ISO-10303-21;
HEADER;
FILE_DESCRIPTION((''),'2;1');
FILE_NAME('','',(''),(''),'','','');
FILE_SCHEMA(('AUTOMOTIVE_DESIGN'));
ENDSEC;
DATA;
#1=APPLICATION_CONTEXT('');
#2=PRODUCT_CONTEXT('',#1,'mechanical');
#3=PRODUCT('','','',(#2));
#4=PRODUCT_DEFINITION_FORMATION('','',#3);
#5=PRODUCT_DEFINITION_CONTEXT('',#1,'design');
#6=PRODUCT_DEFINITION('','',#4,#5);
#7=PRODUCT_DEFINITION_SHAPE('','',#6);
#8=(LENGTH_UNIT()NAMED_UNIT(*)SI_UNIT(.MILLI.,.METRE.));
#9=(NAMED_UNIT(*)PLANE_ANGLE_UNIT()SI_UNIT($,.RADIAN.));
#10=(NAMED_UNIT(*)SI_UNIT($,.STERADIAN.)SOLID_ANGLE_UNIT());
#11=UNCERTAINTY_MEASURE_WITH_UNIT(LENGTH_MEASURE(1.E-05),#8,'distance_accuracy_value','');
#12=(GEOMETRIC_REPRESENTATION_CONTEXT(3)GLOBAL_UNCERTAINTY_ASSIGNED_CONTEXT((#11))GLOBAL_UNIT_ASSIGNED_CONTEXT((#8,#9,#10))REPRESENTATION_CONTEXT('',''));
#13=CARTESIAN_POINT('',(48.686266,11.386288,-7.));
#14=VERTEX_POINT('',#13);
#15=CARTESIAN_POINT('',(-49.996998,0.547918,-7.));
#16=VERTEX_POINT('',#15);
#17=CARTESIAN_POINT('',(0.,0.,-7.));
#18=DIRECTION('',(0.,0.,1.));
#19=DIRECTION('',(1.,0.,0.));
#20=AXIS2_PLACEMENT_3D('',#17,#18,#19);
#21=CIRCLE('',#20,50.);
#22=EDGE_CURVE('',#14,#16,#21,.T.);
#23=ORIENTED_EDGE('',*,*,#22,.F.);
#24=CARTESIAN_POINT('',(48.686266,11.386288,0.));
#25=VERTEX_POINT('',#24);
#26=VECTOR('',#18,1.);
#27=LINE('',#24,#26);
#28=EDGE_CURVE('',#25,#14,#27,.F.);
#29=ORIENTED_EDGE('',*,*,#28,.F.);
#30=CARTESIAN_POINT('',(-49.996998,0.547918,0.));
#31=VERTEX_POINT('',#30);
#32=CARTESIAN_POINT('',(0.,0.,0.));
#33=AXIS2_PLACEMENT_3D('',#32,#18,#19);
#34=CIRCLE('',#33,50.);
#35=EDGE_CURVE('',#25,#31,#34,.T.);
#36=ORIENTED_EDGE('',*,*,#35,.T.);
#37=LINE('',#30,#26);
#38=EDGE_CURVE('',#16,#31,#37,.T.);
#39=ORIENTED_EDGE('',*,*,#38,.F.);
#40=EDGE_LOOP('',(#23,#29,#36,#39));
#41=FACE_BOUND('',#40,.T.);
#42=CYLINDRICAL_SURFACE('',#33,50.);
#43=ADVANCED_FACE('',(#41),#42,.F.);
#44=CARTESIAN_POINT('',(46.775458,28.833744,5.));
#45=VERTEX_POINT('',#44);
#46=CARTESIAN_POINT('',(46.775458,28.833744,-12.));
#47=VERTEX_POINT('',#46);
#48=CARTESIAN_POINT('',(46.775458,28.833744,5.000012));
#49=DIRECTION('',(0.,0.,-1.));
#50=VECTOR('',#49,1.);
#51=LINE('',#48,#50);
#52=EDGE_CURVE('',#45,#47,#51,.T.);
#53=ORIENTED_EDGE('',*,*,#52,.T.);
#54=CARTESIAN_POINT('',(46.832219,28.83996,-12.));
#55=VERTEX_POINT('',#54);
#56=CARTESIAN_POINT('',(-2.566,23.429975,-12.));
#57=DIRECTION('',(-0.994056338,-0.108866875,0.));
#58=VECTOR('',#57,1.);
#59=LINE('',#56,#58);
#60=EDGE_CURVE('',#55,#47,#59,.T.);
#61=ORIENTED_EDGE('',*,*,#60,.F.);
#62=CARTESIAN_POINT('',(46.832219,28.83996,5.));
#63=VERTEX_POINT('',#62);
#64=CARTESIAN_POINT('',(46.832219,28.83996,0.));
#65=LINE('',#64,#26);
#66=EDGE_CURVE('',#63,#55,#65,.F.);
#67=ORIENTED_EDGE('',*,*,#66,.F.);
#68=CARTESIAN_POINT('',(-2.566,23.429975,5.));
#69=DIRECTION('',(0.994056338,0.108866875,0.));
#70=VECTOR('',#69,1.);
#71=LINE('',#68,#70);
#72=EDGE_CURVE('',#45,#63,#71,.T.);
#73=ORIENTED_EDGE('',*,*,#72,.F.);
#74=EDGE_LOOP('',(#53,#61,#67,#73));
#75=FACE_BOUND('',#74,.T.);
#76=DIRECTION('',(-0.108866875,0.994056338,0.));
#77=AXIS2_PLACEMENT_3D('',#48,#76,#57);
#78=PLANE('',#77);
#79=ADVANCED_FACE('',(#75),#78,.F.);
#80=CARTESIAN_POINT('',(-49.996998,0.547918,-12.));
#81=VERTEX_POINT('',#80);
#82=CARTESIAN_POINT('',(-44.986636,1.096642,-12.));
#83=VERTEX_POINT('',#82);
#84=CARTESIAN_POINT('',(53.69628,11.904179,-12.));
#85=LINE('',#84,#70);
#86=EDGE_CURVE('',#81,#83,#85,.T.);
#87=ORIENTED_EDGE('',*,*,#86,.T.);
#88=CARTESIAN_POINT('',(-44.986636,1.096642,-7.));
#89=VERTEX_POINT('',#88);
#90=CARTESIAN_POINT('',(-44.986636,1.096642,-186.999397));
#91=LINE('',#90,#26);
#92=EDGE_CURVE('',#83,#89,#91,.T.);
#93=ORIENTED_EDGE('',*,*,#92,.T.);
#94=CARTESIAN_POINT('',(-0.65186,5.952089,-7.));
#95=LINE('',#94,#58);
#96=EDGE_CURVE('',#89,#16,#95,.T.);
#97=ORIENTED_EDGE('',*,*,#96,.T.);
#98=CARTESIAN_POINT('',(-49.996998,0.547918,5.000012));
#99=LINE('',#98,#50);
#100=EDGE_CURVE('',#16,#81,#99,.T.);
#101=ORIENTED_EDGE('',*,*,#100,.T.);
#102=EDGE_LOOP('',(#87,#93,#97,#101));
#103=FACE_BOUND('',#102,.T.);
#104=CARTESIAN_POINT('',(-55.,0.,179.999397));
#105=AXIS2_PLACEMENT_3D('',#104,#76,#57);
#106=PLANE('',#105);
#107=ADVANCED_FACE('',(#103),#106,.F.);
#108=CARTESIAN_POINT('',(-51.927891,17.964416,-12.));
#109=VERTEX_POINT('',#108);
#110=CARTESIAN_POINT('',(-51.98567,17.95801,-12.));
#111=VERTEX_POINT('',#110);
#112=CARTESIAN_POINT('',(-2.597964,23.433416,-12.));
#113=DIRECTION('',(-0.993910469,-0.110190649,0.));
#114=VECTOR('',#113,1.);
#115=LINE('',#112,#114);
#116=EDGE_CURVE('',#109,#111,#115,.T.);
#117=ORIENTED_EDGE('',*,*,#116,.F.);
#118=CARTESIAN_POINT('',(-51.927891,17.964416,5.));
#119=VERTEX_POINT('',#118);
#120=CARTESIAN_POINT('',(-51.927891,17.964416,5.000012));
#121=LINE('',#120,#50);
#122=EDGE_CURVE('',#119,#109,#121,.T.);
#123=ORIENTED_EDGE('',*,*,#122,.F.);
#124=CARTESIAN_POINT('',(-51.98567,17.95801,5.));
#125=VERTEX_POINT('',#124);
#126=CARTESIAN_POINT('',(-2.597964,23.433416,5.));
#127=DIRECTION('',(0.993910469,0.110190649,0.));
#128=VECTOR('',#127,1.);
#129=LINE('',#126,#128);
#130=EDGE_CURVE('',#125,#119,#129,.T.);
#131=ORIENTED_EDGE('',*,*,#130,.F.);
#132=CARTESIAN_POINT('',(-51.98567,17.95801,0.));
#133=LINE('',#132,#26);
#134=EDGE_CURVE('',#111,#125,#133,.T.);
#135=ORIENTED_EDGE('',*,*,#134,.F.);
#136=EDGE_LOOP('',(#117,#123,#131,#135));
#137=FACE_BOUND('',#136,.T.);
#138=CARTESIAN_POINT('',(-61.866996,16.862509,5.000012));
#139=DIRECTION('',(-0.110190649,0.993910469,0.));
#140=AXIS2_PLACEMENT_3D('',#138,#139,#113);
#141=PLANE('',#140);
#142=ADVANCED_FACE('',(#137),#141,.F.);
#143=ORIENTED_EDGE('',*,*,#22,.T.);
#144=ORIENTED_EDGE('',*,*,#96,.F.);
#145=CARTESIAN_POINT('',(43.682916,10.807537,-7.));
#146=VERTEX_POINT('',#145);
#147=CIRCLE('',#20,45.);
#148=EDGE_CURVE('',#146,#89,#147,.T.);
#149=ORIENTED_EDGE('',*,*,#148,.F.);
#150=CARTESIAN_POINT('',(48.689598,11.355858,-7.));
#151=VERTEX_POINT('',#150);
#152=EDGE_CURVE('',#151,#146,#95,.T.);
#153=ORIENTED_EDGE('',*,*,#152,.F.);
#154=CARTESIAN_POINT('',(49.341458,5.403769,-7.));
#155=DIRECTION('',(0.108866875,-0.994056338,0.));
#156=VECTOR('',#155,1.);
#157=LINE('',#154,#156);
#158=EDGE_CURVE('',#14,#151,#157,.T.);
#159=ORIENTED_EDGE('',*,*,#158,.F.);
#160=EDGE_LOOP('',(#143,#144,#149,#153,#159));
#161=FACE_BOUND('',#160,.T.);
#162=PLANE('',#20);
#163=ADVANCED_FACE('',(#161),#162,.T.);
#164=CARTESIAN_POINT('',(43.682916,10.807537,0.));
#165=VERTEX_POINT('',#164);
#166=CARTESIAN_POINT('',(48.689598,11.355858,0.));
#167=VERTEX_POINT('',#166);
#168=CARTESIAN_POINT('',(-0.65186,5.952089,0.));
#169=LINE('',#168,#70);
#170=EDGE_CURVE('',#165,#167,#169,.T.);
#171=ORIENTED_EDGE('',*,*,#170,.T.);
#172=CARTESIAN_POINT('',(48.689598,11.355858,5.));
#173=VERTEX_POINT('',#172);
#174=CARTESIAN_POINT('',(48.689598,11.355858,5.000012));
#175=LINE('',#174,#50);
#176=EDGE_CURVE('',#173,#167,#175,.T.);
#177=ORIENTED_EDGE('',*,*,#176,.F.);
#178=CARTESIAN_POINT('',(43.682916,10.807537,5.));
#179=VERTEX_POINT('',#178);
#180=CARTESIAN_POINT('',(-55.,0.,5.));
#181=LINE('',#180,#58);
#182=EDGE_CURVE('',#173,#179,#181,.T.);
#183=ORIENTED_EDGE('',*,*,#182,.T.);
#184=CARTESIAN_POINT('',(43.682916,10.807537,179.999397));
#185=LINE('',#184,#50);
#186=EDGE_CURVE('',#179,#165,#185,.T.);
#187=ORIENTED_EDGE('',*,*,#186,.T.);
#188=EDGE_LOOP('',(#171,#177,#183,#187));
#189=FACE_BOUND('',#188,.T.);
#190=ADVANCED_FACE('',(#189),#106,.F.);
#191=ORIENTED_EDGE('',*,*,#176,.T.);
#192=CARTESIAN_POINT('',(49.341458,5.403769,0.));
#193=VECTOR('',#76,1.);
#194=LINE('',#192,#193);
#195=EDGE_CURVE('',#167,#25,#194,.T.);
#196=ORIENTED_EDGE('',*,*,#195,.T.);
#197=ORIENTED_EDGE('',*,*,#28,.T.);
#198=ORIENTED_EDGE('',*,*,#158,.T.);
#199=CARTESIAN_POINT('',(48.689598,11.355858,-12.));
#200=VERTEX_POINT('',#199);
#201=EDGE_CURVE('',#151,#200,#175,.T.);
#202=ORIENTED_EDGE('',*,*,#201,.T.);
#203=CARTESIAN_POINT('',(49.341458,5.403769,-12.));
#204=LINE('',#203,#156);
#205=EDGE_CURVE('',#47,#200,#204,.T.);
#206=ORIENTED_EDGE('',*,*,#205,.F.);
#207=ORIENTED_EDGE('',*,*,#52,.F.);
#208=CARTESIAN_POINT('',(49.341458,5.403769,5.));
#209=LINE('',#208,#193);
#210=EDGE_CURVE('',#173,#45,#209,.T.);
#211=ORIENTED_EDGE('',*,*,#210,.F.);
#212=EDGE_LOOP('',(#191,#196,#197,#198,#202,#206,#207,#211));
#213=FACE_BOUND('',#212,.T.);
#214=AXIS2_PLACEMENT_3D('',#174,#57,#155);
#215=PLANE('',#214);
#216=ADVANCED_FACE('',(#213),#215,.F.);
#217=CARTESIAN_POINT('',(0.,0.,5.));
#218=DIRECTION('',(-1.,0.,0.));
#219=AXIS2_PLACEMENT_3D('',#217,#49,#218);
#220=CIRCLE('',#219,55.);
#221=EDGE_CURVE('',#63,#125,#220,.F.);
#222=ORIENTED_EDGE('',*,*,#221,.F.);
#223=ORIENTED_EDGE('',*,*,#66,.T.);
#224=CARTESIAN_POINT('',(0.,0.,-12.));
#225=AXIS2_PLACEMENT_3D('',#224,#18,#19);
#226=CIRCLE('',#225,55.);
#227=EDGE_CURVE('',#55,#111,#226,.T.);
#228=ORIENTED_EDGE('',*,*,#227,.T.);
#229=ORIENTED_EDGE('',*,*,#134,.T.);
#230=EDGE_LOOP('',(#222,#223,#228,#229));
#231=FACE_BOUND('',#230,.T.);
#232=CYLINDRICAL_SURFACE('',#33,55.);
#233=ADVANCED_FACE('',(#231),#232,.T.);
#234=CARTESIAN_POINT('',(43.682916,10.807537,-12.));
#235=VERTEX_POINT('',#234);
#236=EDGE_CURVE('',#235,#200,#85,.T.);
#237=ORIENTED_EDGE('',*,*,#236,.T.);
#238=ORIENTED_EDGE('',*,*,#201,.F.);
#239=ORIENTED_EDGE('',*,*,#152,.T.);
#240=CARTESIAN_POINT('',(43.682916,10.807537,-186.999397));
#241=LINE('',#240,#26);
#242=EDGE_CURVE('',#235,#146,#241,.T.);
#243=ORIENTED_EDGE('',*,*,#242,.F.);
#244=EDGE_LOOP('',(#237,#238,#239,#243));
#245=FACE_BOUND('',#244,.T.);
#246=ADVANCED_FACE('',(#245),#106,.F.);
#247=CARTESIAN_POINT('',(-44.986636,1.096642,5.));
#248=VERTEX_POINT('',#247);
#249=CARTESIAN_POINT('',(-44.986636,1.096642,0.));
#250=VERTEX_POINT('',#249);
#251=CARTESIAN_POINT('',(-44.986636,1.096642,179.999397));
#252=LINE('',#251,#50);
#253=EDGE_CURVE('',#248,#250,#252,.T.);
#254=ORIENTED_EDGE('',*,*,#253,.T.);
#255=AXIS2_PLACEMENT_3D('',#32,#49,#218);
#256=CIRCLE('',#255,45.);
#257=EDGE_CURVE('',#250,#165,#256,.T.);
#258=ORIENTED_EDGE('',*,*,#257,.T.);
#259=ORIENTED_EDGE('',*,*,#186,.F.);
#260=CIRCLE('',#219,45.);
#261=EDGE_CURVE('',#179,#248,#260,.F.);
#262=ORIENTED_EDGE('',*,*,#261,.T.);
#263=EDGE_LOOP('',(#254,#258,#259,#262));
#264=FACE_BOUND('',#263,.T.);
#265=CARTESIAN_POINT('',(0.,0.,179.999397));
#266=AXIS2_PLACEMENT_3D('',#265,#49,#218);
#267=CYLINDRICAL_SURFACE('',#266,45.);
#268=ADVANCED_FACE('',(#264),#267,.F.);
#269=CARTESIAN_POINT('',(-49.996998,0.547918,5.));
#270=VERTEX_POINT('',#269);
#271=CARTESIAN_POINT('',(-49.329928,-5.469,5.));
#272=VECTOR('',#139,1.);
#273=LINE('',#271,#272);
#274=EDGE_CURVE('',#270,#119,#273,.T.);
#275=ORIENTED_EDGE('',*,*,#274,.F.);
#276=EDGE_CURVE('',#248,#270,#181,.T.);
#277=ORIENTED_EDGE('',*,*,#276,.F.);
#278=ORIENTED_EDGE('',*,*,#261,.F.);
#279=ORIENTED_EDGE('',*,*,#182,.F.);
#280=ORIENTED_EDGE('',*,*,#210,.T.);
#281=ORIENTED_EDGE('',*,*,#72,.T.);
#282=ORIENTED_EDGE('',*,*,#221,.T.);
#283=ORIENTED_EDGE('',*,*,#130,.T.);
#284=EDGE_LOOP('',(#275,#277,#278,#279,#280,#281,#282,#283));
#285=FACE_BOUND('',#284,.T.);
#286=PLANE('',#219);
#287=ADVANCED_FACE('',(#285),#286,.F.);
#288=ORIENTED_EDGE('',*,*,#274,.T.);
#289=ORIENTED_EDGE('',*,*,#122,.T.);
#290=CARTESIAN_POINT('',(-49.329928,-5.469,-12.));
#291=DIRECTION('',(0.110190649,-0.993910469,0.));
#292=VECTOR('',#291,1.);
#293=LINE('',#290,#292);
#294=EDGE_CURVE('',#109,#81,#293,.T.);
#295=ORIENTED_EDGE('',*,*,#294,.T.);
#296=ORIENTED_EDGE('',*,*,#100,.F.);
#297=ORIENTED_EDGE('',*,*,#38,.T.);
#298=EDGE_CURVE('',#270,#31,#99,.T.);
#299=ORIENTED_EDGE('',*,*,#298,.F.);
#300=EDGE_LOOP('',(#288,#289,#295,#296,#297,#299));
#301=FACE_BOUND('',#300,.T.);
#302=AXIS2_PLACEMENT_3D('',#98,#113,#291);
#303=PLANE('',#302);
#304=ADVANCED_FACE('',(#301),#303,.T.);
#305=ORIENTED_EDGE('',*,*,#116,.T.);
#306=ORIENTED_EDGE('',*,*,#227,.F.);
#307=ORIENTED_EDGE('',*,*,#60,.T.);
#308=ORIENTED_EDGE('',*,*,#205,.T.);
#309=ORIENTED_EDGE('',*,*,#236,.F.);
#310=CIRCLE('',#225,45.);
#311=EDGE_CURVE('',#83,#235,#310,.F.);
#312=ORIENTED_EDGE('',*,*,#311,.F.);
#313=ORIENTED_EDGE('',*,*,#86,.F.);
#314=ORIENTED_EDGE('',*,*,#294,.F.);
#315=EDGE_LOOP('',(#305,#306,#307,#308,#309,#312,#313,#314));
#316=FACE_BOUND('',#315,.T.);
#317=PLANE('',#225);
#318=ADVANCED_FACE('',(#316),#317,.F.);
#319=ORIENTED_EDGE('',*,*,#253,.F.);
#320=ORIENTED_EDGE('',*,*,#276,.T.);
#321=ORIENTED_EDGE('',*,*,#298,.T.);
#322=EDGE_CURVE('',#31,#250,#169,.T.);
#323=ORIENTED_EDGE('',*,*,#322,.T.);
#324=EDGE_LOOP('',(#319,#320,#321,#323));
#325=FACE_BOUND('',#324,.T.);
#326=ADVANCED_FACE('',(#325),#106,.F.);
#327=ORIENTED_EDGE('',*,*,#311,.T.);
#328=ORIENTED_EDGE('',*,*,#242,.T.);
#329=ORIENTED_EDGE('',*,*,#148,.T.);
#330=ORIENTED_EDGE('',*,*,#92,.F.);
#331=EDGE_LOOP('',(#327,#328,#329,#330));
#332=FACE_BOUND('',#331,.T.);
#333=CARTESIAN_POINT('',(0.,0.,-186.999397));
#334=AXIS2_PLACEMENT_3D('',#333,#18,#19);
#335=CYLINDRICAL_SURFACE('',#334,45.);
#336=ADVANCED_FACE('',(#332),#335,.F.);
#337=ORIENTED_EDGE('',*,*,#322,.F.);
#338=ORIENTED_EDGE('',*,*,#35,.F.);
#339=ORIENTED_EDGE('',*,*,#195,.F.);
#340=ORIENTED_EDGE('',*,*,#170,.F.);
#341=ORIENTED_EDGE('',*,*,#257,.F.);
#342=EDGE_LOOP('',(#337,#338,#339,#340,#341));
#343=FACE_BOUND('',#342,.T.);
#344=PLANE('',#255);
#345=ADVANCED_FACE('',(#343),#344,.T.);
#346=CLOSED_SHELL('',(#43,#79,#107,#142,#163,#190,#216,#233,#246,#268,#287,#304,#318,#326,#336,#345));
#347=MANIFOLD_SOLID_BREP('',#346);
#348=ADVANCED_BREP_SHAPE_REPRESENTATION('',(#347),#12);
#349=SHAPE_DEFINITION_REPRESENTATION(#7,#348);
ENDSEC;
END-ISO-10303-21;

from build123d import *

# Parameters (mm, degrees)
SKETCH1_W                    = 50
SKETCH1_H                    = 7
REVOLVE1_ANGLE               = 167.5
SHELL7_T                     = 5
CUT_EXTRUDE1_DEPTH           = 80.617837197
CUT_EXTRUDE1_DEPTH_BACK      = 10
CUT_EXTRUDE2_DEPTH           = 80.617837197
CUT_EXTRUDE2_DEPTH_BACK      = 10
CUT_EXTRUDE3_DEPTH           = 80.617837197
CUT_EXTRUDE3_DEPTH_BACK      = 10
CUT_EXTRUDE4_DEPTH           = 80.617837197
CUT_EXTRUDE4_DEPTH_BACK      = 10
CUT_EXTRUDE_THIN2_DEPTH      = 80.617837197
CUT_EXTRUDE_THIN2_DEPTH_BACK = 20
CUT_EXTRUDE_THIN3_DEPTH      = 80.617837197
CUT_EXTRUDE_THIN3_DEPTH_BACK = 20


with BuildPart() as part:
    # Sketch1 → Revolve1 (revolve)
    with BuildSketch(Plane(origin=(0, 0, 0), x_dir=(1, 0, 0), z_dir=(0, 1, 0))):
        with Locations((-25, 3.5)):
            Rectangle(SKETCH1_W, SKETCH1_H)
    revolve(axis=Axis((0, 0, 0), (0, 0, -1)), revolution_arc=REVOLVE1_ANGLE)

    # Shell7
    shell7_openings = [part.faces().sort_by_distance(p)[0] for p in [
        (-25, 0, -3.5),
        (24.407400178, 5.410990348, -3.5),
    ]]
    offset(amount=SHELL7_T, openings=shell7_openings, kind=Kind.INTERSECTION)

    # Sketch2 → Cut-Extrude1 (cut, two sides: drawn at the far end of the back side and taken through both)
    with BuildSketch(Plane.XY.offset(5).offset(-CUT_EXTRUDE1_DEPTH_BACK)):
        Polygon((-307.130564413, -27.612787673), (-55, 0), (53.696280392, 11.904178767), (305.826844804, 39.51696644), (361.05242015, -464.744162386), (-251.904989067, -531.873916498), align=None)
    extrude(amount=CUT_EXTRUDE1_DEPTH + CUT_EXTRUDE1_DEPTH_BACK, mode=Mode.SUBTRACT)

    # Sketch4 → Cut-Extrude2 (cut, two sides: drawn at the far end of the back side and taken through both)
    with BuildSketch(Plane(origin=(0, 0, -12), x_dir=(-1, 0, 0), z_dir=(0, 0, -1)).offset(-CUT_EXTRUDE2_DEPTH_BACK)):
        Polygon((-305.826844804, 39.51696644), (-53.696280392, 11.904178767), (55, 0), (307.130564413, -27.612787673), (251.904989067, -531.873916498), (-361.05242015, -464.744162386), align=None)
    extrude(amount=CUT_EXTRUDE2_DEPTH + CUT_EXTRUDE2_DEPTH_BACK, mode=Mode.SUBTRACT)

    # Sketch5 → Cut-Extrude3 (cut, two sides: drawn at the far end of the back side and taken through both)
    with BuildSketch(Plane.XY.offset(5).offset(-CUT_EXTRUDE3_DEPTH_BACK)):
        with BuildLine():
            Line((-50.710864423, -233.723704503), (-44.986635536, 1.096641764))
            ThreePointArc((-44.986635536, 1.096641764), (-4.899009368, 44.73253522), (43.682915928, 10.807537003))
            Line((43.682915928, 10.807537003), (100.095882825, -217.207679557))
            Line((100.095882825, -217.207679557), (151.239386336, -684.19567653))
            Line((151.239386336, -684.19567653), (0.432639088, -700.711701476))
            Line((0.432639088, -700.711701476), (-50.710864423, -233.723704503))
        make_face()
    extrude(amount=CUT_EXTRUDE3_DEPTH + CUT_EXTRUDE3_DEPTH_BACK, mode=Mode.SUBTRACT)

    # Sketch6 → Cut-Extrude4 (cut, two sides: drawn at the far end of the back side and taken through both)
    with BuildSketch(Plane(origin=(0, 0, -12), x_dir=(-1, 0, 0), z_dir=(0, 0, -1)).offset(-CUT_EXTRUDE4_DEPTH_BACK)):
        with BuildLine():
            Line((-100.095882825, -217.207679557), (-43.682915928, 10.807537003))
            ThreePointArc((-43.682915928, 10.807537003), (4.899009368, 44.73253522), (44.986635536, 1.096641764))
            Line((44.986635536, 1.096641764), (50.710864423, -233.723704503))
            Line((50.710864423, -233.723704503), (-0.432639088, -700.711701476))
            Line((-0.432639088, -700.711701476), (-151.239386336, -684.19567653))
            Line((-151.239386336, -684.19567653), (-100.095882825, -217.207679557))
        make_face()
    extrude(amount=CUT_EXTRUDE4_DEPTH + CUT_EXTRUDE4_DEPTH_BACK, mode=Mode.SUBTRACT)

    # Sketch13 → Cut-Extrude-Thin2 (cut, two sides: drawn at the far end of the back side and taken through both)
    with BuildSketch(Plane.XY.offset(5).offset(-CUT_EXTRUDE_THIN2_DEPTH_BACK)):
        Polygon((48.68959816, 11.355857885), (46.775458357, 28.833743654), (56.716021739, 29.922412403), (58.630161542, 12.444526633), align=None)
    extrude(amount=CUT_EXTRUDE_THIN2_DEPTH + CUT_EXTRUDE_THIN2_DEPTH_BACK, mode=Mode.SUBTRACT)

    # Sketch14 → Cut-Extrude-Thin3 (cut, two sides: drawn at the far end of the back side and taken through both)
    with BuildSketch(Plane.XY.offset(5).offset(-CUT_EXTRUDE_THIN3_DEPTH_BACK)):
        Polygon((-49.99699777, 0.547917856), (-51.927891207, 17.96441574), (-61.8669959, 16.862509251), (-59.936102463, -0.553988632), align=None)
    extrude(amount=CUT_EXTRUDE_THIN3_DEPTH + CUT_EXTRUDE_THIN3_DEPTH_BACK, mode=Mode.SUBTRACT)


solid = part.part
